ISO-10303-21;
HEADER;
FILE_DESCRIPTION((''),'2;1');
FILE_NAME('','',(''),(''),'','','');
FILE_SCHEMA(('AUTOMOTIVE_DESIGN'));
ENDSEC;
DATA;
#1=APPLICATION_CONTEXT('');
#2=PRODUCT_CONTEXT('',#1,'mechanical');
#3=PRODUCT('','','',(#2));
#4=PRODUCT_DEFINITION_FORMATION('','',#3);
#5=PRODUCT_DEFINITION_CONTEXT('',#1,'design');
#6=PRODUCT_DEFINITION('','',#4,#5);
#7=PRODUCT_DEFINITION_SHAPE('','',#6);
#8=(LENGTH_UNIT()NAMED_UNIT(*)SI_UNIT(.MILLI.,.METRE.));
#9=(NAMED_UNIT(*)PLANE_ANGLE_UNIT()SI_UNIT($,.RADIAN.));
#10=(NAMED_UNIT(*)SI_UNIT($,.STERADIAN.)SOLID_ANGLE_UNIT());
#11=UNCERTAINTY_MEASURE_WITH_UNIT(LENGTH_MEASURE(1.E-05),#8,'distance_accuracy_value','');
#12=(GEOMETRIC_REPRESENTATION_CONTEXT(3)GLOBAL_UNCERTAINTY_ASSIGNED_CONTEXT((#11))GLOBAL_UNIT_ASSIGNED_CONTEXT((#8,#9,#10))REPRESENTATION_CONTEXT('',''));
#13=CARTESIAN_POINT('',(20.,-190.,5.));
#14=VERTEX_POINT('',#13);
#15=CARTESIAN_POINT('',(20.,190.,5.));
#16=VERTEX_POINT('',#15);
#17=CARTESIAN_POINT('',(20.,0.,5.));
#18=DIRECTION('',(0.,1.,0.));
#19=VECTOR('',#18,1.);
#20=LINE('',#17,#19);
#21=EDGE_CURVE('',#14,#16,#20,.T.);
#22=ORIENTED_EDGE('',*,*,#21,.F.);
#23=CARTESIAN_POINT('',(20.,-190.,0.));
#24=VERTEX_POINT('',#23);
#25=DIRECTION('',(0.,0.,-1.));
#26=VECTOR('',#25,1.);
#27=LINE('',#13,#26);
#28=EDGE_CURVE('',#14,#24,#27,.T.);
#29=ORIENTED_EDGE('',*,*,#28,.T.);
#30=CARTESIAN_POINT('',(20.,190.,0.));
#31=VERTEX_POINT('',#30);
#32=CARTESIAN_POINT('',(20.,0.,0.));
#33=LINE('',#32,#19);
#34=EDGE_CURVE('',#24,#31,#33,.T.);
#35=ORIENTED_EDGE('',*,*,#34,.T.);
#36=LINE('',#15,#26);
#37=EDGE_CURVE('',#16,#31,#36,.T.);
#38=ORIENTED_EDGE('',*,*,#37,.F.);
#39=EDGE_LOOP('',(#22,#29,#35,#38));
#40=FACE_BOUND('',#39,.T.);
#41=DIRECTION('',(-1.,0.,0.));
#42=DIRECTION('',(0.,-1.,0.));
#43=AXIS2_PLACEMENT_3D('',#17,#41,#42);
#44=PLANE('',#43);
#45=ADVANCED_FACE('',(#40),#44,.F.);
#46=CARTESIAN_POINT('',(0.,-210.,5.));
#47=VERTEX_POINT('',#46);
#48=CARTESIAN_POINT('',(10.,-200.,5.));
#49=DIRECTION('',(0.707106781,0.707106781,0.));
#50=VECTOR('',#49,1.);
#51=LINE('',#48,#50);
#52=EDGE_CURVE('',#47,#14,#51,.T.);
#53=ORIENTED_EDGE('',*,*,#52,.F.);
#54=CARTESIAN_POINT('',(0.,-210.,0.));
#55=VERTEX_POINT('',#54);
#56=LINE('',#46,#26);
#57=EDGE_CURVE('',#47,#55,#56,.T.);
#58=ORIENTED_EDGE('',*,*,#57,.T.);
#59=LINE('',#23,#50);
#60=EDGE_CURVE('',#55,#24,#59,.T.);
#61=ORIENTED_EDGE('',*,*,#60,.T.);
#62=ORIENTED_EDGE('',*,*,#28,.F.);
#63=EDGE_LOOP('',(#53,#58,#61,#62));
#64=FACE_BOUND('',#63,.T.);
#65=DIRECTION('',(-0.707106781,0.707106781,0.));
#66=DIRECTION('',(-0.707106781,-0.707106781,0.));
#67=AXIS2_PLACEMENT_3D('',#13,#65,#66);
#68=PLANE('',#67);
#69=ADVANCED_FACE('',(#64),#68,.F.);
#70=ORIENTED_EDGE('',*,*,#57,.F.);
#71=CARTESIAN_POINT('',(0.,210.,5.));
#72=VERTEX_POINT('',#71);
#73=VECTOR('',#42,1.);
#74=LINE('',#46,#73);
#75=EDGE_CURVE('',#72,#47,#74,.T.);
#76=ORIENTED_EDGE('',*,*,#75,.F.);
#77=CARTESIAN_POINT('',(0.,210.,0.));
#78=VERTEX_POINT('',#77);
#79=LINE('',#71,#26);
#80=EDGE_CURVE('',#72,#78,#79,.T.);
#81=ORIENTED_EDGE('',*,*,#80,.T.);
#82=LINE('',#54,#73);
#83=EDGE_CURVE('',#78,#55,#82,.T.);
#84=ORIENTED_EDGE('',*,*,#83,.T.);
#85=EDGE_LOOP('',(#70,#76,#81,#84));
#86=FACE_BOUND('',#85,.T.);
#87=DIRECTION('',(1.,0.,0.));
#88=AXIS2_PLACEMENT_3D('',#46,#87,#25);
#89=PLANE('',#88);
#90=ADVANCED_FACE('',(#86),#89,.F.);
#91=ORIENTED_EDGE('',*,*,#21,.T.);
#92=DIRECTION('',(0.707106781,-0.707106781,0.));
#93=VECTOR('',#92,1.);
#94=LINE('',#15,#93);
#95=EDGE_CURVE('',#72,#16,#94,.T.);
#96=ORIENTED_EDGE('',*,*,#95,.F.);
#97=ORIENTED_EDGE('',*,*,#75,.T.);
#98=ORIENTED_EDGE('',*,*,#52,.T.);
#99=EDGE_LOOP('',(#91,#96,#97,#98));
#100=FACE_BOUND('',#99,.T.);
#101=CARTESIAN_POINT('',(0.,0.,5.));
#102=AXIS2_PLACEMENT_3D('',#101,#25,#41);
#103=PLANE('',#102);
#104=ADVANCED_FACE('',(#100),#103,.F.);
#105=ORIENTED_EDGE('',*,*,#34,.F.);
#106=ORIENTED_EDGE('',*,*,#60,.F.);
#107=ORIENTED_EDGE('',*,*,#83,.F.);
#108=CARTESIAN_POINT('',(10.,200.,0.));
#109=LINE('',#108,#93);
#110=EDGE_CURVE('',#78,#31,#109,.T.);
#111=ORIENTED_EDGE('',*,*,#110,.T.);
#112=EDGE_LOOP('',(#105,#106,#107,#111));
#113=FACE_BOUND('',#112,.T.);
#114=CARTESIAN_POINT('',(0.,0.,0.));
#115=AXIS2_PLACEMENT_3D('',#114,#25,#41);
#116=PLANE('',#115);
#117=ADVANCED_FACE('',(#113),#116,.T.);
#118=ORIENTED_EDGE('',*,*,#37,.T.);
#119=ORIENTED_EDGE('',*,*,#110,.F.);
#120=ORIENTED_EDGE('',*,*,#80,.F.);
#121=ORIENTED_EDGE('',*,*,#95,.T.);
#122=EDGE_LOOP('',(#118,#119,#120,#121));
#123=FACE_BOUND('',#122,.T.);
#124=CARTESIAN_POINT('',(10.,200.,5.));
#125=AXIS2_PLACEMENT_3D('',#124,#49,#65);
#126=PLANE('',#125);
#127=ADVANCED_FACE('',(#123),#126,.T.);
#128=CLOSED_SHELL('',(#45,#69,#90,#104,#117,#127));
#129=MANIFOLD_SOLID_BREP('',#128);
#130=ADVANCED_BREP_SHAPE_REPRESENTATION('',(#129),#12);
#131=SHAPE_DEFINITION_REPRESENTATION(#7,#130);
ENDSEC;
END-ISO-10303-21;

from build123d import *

# Parameters (mm, degrees)
BOSS_EXTRU_1_DEPTH = 5


with BuildPart() as part:
    # Esquisse1 → Boss.-Extru.1 (new body)
    with BuildSketch(Plane.XY):
        Polygon((0, 0), (10, 0), (20, 0), (20, -190), (10, -200), (0, -210), align=None)
    boss_extru_1 = extrude(amount=BOSS_EXTRU_1_DEPTH)

    # Symétrie1: Boss.-Extru.1 across plane
    add(boss_extru_1.mirror(Plane(origin=(0, 0, 5), x_dir=(0, 0, 1), z_dir=(0, -1, 0))))


solid = part.part
